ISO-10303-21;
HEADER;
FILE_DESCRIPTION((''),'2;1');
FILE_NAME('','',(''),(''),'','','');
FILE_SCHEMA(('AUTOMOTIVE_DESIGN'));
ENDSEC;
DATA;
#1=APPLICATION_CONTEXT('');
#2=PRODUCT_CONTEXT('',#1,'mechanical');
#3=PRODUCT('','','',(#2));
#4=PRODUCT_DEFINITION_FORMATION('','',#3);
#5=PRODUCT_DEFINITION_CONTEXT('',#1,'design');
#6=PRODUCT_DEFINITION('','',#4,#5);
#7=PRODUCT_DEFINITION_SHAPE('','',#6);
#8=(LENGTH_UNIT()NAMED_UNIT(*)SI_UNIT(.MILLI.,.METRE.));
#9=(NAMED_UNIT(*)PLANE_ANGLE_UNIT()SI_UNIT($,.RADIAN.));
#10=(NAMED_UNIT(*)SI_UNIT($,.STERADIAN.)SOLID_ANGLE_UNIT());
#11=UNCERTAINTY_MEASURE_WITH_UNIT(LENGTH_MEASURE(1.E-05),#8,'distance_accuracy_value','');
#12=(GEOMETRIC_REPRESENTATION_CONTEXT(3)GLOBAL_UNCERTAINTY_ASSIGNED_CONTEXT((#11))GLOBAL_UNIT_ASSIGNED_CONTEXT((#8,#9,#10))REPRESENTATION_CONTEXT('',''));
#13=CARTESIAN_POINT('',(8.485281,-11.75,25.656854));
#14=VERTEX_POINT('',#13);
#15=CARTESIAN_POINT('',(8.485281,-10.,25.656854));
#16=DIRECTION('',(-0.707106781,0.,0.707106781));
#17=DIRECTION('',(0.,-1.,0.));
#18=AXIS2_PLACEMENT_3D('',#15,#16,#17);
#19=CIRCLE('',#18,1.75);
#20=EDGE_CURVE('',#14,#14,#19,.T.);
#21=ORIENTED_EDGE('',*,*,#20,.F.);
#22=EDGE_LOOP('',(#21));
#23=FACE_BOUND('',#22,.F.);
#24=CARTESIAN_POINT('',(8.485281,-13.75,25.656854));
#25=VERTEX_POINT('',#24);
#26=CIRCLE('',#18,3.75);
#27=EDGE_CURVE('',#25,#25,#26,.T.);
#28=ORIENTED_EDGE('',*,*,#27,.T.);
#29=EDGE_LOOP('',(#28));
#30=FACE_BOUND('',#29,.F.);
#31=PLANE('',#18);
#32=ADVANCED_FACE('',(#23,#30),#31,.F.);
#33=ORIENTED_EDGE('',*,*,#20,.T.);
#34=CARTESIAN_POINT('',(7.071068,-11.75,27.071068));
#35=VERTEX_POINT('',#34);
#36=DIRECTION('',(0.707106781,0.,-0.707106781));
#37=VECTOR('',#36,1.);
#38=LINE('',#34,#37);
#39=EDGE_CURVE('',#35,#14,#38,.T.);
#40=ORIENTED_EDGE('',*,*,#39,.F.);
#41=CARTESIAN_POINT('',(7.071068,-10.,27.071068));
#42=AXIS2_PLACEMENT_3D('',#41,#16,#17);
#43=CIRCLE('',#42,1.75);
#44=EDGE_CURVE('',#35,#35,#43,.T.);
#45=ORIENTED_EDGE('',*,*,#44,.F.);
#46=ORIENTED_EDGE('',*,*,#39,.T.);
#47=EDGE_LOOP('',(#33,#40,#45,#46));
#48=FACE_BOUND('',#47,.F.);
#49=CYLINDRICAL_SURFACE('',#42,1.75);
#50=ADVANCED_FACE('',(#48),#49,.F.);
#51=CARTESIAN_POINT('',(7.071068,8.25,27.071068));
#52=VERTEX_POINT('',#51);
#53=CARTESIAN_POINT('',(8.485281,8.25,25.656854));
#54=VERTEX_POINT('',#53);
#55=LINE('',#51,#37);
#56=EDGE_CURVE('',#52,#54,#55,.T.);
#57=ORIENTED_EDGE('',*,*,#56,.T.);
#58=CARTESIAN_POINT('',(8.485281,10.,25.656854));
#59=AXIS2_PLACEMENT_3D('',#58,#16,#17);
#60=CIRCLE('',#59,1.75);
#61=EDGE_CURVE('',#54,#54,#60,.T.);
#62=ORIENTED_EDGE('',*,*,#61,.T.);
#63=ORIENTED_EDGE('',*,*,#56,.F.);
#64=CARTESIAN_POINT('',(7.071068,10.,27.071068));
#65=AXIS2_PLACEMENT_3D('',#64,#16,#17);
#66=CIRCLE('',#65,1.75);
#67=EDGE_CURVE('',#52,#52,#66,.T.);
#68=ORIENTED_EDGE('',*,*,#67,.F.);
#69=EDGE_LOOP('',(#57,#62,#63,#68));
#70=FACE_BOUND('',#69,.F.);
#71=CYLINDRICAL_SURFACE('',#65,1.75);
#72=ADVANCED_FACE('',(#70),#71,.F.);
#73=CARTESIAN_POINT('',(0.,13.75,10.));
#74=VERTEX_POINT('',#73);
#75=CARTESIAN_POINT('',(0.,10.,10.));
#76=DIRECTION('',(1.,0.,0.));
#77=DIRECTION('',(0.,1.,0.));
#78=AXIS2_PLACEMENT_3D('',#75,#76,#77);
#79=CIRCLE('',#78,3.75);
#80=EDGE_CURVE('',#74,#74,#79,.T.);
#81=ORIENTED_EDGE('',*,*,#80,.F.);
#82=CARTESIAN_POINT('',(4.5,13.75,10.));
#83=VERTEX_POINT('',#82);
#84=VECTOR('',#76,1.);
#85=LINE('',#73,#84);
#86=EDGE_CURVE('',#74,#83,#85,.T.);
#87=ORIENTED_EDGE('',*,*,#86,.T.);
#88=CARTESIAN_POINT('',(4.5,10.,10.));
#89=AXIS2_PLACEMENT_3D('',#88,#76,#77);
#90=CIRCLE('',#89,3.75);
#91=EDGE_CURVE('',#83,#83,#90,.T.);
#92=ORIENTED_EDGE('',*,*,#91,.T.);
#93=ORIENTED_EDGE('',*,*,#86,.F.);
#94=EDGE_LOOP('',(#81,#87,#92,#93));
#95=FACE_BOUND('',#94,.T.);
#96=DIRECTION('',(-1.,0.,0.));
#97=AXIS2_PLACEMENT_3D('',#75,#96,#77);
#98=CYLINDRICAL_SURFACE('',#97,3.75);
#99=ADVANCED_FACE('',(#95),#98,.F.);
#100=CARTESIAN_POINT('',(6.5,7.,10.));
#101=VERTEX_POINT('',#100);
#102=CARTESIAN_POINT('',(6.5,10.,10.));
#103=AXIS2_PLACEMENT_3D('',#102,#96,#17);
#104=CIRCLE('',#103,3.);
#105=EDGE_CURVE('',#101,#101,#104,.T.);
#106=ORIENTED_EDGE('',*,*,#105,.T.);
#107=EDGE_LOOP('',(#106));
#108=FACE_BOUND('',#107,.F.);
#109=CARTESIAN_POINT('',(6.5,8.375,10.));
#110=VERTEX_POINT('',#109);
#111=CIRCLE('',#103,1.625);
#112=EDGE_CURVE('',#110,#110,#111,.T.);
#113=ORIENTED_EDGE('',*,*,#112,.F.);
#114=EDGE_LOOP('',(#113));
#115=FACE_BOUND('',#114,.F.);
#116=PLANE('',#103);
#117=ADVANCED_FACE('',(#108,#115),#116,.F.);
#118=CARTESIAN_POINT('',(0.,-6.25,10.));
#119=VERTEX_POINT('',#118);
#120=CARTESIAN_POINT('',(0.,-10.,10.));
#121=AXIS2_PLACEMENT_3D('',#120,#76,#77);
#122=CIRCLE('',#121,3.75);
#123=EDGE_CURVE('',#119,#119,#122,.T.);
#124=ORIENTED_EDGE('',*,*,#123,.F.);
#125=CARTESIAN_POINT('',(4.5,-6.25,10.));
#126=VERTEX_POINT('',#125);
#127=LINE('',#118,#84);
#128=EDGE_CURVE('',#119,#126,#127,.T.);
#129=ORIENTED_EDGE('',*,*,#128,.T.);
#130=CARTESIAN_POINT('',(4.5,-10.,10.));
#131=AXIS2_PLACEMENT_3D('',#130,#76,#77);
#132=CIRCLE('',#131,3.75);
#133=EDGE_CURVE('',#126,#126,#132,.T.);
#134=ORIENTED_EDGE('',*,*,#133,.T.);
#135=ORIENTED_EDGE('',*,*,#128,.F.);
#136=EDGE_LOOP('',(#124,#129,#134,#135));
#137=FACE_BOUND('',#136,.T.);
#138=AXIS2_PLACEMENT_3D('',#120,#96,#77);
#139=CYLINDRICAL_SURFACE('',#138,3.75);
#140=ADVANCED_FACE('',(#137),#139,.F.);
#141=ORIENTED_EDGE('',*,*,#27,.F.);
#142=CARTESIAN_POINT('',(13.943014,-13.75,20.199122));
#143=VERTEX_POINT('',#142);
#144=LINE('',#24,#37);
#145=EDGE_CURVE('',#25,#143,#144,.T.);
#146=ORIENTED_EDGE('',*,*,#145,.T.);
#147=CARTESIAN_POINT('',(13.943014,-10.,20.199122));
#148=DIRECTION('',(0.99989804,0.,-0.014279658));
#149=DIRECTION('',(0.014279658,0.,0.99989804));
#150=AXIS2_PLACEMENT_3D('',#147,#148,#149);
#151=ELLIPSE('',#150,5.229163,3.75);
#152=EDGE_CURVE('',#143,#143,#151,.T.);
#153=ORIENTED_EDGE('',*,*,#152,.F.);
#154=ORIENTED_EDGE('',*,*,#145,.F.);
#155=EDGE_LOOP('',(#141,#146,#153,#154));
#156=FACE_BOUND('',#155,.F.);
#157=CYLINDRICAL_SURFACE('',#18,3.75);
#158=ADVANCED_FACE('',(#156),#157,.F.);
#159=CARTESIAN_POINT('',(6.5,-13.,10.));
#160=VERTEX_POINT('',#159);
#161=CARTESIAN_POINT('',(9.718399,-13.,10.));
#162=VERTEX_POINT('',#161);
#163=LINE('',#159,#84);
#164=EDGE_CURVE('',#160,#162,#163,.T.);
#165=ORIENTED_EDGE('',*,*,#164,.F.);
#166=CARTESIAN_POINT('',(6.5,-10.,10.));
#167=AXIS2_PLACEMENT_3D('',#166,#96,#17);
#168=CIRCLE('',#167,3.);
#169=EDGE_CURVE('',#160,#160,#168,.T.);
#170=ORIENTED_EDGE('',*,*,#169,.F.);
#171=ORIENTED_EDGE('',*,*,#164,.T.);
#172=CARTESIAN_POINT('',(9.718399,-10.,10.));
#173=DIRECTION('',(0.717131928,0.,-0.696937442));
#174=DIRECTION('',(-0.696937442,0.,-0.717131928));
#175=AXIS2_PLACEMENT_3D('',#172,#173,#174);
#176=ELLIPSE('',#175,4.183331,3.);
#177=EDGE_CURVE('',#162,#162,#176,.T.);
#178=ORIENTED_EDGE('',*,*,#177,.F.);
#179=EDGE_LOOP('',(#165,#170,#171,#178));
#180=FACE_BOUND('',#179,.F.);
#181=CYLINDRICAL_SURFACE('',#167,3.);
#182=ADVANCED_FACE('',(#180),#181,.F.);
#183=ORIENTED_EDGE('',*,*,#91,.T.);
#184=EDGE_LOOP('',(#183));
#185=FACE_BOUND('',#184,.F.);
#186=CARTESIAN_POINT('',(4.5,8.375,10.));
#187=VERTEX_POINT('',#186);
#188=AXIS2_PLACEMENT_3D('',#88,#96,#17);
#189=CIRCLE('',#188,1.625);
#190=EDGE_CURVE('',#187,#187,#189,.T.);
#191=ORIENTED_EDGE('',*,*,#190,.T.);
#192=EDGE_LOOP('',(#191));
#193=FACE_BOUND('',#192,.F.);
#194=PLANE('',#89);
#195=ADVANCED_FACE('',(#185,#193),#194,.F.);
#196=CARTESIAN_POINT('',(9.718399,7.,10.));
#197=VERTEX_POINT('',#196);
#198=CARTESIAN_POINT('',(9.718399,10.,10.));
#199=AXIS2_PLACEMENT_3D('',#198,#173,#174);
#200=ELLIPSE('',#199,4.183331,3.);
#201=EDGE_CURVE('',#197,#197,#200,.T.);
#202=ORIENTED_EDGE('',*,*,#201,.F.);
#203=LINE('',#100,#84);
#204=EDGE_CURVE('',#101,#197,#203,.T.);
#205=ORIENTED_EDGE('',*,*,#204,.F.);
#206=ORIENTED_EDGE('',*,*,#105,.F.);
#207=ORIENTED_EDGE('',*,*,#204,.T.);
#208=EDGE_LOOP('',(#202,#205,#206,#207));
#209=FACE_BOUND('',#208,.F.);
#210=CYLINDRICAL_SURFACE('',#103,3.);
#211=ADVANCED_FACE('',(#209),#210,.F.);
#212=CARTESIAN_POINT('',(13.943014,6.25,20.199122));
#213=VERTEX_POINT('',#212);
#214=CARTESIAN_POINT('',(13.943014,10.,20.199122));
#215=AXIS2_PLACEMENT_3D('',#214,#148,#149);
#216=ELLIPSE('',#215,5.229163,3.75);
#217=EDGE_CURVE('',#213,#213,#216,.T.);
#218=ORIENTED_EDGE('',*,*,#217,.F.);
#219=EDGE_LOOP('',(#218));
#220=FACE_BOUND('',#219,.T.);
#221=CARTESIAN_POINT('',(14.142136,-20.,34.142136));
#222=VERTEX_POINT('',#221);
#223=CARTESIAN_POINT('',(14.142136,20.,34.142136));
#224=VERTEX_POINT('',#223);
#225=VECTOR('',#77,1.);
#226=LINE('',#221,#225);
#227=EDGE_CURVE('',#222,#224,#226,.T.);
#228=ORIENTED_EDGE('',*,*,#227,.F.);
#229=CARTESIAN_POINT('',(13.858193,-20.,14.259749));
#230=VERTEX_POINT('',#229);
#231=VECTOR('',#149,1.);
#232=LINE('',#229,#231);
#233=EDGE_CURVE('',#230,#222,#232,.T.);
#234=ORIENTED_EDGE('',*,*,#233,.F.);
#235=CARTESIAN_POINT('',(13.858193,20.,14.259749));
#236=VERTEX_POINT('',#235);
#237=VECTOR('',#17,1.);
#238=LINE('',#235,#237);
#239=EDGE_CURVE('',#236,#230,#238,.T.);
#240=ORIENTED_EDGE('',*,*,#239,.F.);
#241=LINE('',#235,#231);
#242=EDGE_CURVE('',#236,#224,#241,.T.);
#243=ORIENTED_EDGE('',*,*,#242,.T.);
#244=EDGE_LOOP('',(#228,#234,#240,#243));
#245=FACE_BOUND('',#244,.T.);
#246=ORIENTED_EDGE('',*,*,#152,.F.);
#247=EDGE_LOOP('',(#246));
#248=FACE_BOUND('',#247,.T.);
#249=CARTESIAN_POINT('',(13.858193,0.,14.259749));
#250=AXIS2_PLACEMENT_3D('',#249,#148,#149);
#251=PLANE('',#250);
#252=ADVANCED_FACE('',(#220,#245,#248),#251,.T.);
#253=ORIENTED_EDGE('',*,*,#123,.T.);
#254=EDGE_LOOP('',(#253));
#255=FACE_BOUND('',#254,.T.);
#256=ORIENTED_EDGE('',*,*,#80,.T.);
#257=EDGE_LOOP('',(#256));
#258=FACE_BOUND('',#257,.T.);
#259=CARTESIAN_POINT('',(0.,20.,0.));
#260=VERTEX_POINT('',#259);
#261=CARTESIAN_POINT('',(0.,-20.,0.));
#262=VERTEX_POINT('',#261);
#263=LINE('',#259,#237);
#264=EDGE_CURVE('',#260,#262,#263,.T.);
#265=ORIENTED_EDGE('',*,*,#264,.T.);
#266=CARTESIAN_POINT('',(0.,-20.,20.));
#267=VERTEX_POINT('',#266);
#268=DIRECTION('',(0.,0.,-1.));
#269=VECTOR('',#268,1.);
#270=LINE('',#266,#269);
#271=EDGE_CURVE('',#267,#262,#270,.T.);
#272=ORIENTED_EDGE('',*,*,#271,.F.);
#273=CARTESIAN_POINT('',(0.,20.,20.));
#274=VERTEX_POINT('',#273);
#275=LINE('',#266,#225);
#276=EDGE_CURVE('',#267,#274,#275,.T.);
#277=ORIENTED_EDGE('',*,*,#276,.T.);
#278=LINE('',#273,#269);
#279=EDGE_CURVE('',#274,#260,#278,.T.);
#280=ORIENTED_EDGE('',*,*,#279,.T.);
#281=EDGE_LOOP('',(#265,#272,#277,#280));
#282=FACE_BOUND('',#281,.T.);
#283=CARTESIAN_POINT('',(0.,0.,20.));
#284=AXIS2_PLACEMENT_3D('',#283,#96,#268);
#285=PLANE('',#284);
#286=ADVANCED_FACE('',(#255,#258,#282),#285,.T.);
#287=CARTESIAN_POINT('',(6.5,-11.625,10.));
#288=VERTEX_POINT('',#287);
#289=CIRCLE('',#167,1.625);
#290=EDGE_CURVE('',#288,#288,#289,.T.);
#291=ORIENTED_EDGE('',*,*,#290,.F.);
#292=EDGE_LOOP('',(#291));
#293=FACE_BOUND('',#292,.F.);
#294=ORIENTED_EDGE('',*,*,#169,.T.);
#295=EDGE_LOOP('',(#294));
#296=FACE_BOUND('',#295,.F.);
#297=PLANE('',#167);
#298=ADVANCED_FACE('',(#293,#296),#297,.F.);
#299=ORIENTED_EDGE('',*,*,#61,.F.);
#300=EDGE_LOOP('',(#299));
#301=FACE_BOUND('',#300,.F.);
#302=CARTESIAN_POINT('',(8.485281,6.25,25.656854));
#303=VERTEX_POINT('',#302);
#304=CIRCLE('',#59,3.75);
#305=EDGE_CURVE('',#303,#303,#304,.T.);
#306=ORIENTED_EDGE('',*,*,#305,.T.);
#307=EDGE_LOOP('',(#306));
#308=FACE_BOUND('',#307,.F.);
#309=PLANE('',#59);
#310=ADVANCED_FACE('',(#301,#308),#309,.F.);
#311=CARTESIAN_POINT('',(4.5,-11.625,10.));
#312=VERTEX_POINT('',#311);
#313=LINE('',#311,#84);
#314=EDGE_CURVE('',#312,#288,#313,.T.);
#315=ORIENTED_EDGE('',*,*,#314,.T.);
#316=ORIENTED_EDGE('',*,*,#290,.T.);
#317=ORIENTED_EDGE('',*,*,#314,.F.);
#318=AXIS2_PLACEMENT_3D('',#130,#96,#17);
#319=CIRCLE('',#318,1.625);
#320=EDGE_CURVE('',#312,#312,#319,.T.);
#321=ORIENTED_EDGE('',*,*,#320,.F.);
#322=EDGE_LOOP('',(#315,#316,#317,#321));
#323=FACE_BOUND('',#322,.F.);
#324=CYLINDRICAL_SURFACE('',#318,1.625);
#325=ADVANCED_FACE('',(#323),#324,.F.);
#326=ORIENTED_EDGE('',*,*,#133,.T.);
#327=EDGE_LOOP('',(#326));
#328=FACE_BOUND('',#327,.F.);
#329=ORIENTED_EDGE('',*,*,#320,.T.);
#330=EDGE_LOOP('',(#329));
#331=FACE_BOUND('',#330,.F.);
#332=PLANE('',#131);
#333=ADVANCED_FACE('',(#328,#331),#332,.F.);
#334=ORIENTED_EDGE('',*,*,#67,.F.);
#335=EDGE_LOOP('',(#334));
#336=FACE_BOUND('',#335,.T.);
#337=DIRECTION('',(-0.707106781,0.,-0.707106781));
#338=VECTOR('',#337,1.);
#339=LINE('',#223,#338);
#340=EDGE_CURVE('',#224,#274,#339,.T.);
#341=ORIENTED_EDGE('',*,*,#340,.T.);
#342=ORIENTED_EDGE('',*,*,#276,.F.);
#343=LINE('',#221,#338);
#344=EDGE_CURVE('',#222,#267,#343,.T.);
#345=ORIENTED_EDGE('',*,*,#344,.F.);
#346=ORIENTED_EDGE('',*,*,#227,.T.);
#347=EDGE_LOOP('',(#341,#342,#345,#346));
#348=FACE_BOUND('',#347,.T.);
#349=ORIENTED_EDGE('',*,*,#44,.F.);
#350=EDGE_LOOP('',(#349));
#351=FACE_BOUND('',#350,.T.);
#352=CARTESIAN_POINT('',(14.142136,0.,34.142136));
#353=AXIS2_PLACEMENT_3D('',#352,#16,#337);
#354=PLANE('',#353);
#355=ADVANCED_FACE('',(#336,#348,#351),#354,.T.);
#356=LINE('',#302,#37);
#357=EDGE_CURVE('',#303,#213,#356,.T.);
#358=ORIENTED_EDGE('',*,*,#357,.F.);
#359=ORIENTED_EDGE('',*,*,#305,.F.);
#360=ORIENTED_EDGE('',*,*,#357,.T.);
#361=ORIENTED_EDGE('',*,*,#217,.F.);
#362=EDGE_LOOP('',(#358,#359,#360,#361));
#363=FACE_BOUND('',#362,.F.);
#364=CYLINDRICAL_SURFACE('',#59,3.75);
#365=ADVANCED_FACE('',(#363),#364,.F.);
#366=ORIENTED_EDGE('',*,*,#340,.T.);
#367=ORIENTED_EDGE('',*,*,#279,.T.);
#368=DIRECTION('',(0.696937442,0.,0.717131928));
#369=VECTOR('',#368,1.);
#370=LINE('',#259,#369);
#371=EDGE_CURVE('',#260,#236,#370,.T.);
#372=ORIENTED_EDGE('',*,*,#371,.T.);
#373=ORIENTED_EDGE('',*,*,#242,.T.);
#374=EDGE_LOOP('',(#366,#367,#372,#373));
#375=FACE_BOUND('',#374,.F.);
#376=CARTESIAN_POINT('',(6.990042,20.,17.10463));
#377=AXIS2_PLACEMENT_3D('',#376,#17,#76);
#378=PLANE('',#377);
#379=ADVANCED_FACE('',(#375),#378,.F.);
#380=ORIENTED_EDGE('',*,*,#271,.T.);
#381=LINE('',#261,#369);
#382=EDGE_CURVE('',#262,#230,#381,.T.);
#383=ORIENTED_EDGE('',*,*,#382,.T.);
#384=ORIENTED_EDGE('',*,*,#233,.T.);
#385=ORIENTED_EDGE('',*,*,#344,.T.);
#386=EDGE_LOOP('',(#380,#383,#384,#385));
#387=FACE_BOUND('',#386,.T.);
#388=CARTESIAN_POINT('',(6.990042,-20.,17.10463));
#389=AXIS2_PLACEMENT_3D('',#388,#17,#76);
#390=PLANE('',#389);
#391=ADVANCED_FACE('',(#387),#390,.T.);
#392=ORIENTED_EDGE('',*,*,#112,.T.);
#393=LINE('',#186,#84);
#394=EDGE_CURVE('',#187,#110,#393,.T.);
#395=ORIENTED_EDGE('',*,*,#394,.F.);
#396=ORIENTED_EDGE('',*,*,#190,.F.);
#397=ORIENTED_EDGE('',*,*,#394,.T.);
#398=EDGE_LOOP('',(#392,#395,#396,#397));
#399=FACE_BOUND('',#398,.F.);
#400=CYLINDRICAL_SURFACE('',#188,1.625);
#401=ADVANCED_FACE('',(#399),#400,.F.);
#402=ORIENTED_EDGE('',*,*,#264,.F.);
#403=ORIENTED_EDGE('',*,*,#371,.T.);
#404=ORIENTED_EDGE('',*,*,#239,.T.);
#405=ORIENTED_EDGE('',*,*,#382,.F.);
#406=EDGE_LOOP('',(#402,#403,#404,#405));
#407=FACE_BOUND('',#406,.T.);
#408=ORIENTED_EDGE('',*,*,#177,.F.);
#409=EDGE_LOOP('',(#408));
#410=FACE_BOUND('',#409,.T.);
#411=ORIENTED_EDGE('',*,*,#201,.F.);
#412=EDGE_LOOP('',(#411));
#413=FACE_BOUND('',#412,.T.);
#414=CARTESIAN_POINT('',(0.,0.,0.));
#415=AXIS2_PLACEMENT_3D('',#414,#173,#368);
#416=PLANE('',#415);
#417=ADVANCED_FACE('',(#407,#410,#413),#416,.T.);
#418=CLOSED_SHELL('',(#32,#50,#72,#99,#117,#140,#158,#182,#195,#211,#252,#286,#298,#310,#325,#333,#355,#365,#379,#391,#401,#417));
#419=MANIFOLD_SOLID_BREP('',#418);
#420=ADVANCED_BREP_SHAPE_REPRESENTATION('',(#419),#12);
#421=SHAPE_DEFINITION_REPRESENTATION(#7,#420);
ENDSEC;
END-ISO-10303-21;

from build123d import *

# Parameters (mm, degrees)
F1_DEPTH  = 20
F2_R      = 3.75
F3_DEPTH  = 4.5
F5_R      = 1.625
F6_DEPTH  = 2
F8_R      = 3
F9_DEPTH  = 7.1339190804
F11_R     = 1.75
F12_DEPTH = 2
F14_R     = 3.75
F15_DEPTH = 12.3627990274


with BuildPart() as f1:
    # F0 (on Front) → F1 (new body, symmetric)
    with BuildSketch(Plane.XZ):
        Polygon((0, 20), (0, 0), (13.8581929877, 14.2597485145), (14.1421356237, 34.1421356237), align=None)
    extrude(amount=F1_DEPTH, both=True)

    # F2 (on Right) → F3 (cut)
    with BuildSketch(Plane.YZ):
        with Locations((10, 10)):
            Circle(F2_R)
        with Locations((-10, 10)):
            Circle(F2_R)
    extrude(amount=F3_DEPTH, mode=Mode.SUBTRACT)

    # F5 (on offset) → F6 (cut)
    with BuildSketch(Plane(origin=(4.5, 0, 0), x_dir=(0, -1, 0), z_dir=(-1, 0, 0))):
        with Locations((-10, 10)):
            Circle(F5_R)
        with Locations((10, 10)):
            Circle(F5_R)
    extrude(amount=-F6_DEPTH, mode=Mode.SUBTRACT)

    # F8 (on offset) → F9 (cut, up to face)
    with BuildSketch(Plane(origin=(6.5, 0, 0), x_dir=(0, -1, 0), z_dir=(-1, 0, 0))):
        with Locations((-10, 10)):
            Circle(F8_R)
        with Locations((10, 10)):
            Circle(F8_R)
    extrude(amount=-F9_DEPTH, mode=Mode.SUBTRACT)

    # F11 (on offset) → F12 (cut)
    with BuildSketch(Plane(origin=(-10, 0, 10), x_dir=(0, -1, 0), z_dir=(-0.7071067812, 0, 0.7071067812))):
        with Locations((-10, 24.1421356237)):
            Circle(F11_R)
        with Locations((10, 24.1421356237)):
            Circle(F11_R)
    extrude(amount=-F12_DEPTH, mode=Mode.SUBTRACT)

    # F14 (on offset) → F15 (cut, up to face)
    with BuildSketch(Plane(origin=(-8.5857864376, 0, 8.5857864376), x_dir=(0, -1, 0), z_dir=(-0.7071067812, 0, 0.7071067812))):
        with Locations((-10, 24.1421356237)):
            Circle(F14_R)
        with Locations((10, 24.1421356237)):
            Circle(F14_R)
    extrude(amount=-F15_DEPTH, mode=Mode.SUBTRACT)


solid = f1.part
